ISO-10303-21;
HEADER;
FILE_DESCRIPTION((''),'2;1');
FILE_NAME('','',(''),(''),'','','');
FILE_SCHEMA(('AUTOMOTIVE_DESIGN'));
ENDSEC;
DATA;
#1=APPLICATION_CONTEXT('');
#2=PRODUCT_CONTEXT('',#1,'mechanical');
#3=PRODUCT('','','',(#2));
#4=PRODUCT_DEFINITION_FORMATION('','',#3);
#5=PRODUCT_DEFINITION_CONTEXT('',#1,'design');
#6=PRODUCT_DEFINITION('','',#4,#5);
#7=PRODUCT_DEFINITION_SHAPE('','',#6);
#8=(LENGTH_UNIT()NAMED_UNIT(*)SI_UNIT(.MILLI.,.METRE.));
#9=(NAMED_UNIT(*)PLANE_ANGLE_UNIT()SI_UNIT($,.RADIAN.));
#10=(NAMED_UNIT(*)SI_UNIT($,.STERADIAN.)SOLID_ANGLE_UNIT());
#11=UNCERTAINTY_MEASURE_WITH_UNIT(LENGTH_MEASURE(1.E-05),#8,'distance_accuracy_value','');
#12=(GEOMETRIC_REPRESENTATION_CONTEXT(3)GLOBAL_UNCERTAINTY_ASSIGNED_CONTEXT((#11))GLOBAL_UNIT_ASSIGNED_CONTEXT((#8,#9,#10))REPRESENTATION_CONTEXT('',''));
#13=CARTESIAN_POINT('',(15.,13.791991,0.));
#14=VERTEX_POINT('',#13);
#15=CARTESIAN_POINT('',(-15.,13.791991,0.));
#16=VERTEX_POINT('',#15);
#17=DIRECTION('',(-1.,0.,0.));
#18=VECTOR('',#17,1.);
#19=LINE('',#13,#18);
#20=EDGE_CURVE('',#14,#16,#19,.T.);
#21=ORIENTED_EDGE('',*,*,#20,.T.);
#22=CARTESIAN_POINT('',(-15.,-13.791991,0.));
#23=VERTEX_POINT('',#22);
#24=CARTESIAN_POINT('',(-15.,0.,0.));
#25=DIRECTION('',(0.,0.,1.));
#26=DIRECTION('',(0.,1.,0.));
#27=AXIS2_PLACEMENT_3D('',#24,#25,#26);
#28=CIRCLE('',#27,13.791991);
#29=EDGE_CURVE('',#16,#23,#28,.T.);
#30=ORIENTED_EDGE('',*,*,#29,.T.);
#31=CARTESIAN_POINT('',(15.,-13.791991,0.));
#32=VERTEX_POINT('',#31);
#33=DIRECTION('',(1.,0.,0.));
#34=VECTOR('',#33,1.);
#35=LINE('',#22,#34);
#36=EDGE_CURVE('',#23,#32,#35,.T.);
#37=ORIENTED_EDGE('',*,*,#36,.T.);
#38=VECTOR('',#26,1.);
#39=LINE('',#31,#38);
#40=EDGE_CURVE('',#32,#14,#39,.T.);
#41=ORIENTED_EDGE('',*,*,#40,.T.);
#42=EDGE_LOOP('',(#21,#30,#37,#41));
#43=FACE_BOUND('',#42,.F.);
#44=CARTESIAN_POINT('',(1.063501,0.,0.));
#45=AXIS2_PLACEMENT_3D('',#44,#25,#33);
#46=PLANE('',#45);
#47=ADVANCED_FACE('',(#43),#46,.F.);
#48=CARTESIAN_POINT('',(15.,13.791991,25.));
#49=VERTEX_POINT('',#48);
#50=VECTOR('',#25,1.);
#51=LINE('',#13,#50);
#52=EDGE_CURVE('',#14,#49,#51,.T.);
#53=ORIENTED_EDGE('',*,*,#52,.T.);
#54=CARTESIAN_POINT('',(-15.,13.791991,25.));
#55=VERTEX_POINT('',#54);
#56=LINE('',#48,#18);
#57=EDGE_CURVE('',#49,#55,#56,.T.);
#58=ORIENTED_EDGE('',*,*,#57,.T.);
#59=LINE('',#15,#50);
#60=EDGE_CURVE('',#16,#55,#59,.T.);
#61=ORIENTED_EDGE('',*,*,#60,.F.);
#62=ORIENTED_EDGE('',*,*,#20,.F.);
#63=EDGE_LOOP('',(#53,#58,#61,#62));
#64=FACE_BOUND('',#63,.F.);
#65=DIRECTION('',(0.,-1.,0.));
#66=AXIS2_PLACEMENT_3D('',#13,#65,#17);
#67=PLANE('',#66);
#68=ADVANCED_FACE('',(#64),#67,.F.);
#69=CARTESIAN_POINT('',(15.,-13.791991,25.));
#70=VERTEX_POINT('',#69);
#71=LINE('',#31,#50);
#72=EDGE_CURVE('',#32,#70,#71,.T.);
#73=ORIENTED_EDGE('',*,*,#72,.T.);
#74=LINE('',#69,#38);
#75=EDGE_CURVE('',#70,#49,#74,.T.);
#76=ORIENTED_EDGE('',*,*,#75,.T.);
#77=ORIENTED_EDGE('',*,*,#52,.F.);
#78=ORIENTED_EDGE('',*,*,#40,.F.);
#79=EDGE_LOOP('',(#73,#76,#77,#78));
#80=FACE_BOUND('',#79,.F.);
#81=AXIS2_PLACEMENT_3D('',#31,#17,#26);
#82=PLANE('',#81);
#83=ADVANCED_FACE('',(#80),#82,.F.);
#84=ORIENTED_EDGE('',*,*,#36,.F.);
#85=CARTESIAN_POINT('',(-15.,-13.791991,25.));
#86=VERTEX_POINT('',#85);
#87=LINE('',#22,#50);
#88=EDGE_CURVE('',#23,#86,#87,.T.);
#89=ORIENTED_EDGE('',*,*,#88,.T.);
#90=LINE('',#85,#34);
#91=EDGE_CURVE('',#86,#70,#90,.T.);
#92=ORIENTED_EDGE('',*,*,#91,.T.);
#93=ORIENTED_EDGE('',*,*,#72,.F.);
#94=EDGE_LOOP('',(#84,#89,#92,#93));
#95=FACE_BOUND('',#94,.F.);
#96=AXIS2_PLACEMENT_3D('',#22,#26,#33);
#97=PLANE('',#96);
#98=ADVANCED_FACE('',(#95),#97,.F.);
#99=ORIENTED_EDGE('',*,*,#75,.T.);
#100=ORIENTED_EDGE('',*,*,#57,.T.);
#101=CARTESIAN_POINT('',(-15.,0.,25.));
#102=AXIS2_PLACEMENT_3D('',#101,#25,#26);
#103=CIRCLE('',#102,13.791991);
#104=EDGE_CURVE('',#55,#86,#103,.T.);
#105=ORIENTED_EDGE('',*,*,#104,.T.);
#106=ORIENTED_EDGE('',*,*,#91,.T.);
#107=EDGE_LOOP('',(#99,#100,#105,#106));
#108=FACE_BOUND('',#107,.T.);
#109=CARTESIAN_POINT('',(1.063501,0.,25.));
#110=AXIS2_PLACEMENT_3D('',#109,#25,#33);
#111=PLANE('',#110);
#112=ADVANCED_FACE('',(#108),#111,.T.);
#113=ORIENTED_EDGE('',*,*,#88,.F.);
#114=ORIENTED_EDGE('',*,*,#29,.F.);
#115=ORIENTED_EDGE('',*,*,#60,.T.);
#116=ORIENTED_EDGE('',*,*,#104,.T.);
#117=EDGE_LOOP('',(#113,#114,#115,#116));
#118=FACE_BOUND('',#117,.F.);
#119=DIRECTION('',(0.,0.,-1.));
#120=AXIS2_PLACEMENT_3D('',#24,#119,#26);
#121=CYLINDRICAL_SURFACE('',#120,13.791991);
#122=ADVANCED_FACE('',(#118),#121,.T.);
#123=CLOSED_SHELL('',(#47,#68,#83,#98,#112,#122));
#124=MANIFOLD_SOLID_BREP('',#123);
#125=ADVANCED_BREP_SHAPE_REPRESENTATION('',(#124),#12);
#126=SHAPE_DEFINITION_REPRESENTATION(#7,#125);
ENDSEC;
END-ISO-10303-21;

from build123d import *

# Parameters (mm, degrees)
F1_DEPTH = 25


with BuildPart() as f1:
    # F0 (on Top) → F1 (new body)
    with BuildSketch(Plane.XY):
        with BuildLine():
            Line((-15, -13.791991263), (15, -13.791991263))
            Line((15, -13.791991263), (15, 13.791991263))
            Line((15, 13.791991263), (-15, 13.791991263))
            ThreePointArc((-15, 13.791991263), (-5.2475894519, 9.7524105481), (-1.208008737, 0))
            ThreePointArc((-1.208008737, 0), (-5.2475894519, -9.7524105481), (-15, -13.791991263))
        make_face()
        with BuildLine():
            ThreePointArc((-15, 13.791991263), (-28.791991263, 0), (-15, -13.791991263))
            Line((-15, -13.791991263), (-15, 13.791991263))
        make_face()
        with BuildLine():
            Line((-15, 13.791991263), (-15, -13.791991263))
            ThreePointArc((-15, -13.791991263), (-5.2475894519, -9.7524105481), (-1.208008737, 0))
            ThreePointArc((-1.208008737, 0), (-5.2475894519, 9.7524105481), (-15, 13.791991263))
        make_face()
    extrude(amount=F1_DEPTH)


solid = f1.part
